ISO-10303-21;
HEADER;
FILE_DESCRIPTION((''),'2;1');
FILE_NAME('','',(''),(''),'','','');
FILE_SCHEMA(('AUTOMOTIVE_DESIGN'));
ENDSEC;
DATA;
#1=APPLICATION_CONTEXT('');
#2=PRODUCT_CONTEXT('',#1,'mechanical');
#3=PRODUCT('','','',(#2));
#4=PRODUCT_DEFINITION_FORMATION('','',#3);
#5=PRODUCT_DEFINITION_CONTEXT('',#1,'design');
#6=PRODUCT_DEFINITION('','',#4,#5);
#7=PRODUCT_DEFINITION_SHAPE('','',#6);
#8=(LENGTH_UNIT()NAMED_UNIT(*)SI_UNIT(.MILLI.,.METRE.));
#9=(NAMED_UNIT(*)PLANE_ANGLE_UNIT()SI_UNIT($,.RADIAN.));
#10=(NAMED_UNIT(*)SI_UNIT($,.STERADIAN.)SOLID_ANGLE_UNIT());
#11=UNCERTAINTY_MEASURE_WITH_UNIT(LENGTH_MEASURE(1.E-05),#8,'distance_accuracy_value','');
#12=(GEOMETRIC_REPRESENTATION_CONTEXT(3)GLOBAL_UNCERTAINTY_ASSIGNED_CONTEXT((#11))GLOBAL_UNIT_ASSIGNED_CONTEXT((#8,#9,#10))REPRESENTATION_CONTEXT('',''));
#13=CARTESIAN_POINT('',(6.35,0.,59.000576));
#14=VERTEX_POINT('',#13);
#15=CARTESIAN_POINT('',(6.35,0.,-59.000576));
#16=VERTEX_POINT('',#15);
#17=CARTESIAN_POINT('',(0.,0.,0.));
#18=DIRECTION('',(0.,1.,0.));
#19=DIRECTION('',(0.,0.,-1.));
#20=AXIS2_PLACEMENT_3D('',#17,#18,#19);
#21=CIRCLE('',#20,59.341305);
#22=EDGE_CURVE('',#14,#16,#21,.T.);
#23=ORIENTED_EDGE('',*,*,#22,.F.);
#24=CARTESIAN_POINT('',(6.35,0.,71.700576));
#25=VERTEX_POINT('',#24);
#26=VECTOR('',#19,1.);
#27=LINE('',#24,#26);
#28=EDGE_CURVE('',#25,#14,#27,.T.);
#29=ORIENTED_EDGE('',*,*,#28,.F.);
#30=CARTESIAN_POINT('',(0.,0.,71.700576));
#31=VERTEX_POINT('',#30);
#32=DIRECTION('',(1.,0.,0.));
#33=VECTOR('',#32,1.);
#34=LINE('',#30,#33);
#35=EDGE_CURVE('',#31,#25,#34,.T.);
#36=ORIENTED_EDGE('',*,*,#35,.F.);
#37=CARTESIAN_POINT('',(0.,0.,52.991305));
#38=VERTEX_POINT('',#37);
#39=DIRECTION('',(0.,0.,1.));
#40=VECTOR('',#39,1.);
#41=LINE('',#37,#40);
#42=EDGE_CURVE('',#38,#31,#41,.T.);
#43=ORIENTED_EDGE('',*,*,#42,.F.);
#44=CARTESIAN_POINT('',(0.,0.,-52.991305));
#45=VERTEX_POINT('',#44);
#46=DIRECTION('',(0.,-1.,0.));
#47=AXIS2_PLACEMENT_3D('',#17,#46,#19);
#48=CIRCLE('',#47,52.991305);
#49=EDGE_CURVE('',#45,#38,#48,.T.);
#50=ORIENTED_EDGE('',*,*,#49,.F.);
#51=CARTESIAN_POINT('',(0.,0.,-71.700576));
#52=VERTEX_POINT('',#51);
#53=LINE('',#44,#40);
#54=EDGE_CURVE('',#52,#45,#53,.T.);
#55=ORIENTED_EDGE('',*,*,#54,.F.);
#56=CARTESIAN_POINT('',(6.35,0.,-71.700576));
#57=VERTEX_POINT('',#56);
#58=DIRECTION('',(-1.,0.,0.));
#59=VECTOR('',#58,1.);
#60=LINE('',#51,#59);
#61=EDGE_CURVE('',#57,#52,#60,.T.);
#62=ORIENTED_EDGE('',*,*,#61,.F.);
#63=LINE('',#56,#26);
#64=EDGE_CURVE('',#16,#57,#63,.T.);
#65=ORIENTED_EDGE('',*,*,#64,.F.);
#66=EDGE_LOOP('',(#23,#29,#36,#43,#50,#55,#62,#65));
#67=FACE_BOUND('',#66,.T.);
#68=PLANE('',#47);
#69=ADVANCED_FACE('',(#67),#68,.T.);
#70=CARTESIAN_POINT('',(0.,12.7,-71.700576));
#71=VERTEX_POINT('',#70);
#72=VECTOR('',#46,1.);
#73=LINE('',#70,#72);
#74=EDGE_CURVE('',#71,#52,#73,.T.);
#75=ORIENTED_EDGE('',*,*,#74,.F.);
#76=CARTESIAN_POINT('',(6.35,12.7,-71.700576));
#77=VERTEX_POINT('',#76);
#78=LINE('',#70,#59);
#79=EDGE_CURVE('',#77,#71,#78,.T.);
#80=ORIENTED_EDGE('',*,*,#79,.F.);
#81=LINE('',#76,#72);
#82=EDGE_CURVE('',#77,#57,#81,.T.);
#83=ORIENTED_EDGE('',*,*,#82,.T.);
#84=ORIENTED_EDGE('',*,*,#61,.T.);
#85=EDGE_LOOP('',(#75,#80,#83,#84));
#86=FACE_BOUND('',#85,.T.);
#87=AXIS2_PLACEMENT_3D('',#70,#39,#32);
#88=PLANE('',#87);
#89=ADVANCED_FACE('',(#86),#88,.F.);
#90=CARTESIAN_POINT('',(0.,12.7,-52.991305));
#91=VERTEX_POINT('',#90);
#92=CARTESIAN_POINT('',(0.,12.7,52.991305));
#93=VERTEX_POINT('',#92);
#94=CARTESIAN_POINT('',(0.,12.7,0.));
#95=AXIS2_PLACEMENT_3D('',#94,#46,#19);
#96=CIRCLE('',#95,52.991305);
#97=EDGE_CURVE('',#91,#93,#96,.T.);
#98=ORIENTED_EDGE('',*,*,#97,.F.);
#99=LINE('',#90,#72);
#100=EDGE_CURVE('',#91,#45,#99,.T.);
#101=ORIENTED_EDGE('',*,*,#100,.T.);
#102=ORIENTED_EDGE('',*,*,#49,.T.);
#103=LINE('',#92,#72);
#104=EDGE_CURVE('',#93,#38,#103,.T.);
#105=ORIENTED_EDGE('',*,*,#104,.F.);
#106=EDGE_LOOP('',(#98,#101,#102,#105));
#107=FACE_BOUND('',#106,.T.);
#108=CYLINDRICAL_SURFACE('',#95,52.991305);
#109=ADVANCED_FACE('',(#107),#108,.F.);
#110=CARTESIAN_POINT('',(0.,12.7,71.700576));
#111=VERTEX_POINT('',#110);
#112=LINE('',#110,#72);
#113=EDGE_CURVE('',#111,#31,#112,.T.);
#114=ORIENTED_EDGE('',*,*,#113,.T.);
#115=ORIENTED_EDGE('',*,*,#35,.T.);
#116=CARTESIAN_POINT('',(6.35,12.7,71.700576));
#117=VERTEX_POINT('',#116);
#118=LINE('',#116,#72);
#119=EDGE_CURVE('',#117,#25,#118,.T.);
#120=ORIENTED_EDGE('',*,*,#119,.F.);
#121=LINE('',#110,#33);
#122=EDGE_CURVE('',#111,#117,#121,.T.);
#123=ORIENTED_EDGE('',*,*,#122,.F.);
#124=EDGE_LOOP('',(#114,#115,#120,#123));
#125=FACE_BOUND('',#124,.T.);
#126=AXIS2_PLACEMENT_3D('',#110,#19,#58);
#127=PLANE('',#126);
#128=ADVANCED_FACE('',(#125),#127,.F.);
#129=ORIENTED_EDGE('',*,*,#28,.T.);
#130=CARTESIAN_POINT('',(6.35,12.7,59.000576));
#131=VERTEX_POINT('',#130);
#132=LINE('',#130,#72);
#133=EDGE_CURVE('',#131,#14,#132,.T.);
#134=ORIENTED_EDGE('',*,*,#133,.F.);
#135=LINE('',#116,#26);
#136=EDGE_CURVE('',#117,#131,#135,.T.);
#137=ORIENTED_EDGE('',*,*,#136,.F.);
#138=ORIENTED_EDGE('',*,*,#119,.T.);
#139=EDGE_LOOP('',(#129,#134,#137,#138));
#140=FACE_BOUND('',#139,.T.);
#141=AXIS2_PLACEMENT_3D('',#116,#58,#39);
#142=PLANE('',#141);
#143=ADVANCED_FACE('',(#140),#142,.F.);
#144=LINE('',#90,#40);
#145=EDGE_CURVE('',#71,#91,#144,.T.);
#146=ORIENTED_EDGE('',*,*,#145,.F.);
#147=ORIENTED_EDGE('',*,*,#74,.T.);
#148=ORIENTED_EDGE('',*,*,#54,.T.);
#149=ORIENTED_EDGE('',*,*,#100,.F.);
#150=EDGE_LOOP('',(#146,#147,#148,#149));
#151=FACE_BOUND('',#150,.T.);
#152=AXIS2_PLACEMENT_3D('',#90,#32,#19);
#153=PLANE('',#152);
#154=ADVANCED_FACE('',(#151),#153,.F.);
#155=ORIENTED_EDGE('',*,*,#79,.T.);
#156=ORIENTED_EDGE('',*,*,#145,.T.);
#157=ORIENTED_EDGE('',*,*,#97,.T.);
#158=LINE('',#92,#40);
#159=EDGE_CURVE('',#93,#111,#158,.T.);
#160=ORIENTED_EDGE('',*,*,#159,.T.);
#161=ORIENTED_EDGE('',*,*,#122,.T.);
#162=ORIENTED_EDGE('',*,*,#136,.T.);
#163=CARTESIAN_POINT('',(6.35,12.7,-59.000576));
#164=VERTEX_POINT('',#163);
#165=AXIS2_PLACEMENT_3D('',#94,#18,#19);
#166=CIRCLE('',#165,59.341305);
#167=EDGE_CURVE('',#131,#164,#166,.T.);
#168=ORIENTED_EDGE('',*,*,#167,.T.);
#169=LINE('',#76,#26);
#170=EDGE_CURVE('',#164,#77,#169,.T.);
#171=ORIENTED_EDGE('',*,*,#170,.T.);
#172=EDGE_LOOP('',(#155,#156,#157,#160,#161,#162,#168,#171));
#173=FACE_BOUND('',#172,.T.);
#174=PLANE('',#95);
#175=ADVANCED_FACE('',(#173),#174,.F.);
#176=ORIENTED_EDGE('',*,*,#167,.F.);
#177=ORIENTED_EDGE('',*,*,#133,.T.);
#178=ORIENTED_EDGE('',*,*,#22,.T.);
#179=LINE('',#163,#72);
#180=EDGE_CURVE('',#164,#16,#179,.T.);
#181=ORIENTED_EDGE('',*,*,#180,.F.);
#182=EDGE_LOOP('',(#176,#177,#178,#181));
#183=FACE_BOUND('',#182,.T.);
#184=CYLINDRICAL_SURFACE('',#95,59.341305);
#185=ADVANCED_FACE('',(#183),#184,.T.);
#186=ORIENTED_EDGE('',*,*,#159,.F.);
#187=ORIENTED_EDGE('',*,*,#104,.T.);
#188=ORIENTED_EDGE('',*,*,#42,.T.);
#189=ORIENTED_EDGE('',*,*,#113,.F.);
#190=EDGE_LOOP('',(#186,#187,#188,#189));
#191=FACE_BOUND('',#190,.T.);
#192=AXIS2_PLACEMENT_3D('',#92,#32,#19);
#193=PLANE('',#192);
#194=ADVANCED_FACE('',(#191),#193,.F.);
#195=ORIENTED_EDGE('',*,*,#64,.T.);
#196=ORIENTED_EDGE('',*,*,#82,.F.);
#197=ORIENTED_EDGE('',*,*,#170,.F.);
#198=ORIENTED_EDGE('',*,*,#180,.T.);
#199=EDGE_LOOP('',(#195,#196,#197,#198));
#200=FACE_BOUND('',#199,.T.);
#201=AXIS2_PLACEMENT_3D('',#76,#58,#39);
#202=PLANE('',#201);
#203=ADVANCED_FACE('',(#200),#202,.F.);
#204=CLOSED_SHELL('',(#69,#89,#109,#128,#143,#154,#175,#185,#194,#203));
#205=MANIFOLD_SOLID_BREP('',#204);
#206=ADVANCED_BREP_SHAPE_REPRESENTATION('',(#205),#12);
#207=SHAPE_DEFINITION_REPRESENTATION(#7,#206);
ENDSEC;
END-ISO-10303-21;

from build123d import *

# Parameters (mm, degrees)
BOSS_EXTRUDE1_DEPTH = 12.7


with BuildPart() as part:
    # Sketch1 → Boss-Extrude1 (new body)
    with BuildSketch(Plane(origin=(0, 0, 0), x_dir=(1, 0, 0), z_dir=(0, 1, 0))):
        with BuildLine():
            Line((0, 52.991305342), (0, 71.700576435))
            Line((0, 71.700576435), (6.35, 71.700576435))
            Line((6.35, 71.700576435), (6.35, 59.000576435))
            ThreePointArc((6.35, 59.000576435), (59.341305342, 0), (6.35, -59.000576435))
            Line((6.35, -59.000576435), (6.35, -71.700576435))
            Line((6.35, -71.700576435), (0, -71.700576435))
            Line((0, -71.700576435), (0, -52.991305342))
            ThreePointArc((0, -52.991305342), (52.991305342, 0), (0, 52.991305342))
        make_face()
    extrude(amount=BOSS_EXTRUDE1_DEPTH)


solid = part.part
